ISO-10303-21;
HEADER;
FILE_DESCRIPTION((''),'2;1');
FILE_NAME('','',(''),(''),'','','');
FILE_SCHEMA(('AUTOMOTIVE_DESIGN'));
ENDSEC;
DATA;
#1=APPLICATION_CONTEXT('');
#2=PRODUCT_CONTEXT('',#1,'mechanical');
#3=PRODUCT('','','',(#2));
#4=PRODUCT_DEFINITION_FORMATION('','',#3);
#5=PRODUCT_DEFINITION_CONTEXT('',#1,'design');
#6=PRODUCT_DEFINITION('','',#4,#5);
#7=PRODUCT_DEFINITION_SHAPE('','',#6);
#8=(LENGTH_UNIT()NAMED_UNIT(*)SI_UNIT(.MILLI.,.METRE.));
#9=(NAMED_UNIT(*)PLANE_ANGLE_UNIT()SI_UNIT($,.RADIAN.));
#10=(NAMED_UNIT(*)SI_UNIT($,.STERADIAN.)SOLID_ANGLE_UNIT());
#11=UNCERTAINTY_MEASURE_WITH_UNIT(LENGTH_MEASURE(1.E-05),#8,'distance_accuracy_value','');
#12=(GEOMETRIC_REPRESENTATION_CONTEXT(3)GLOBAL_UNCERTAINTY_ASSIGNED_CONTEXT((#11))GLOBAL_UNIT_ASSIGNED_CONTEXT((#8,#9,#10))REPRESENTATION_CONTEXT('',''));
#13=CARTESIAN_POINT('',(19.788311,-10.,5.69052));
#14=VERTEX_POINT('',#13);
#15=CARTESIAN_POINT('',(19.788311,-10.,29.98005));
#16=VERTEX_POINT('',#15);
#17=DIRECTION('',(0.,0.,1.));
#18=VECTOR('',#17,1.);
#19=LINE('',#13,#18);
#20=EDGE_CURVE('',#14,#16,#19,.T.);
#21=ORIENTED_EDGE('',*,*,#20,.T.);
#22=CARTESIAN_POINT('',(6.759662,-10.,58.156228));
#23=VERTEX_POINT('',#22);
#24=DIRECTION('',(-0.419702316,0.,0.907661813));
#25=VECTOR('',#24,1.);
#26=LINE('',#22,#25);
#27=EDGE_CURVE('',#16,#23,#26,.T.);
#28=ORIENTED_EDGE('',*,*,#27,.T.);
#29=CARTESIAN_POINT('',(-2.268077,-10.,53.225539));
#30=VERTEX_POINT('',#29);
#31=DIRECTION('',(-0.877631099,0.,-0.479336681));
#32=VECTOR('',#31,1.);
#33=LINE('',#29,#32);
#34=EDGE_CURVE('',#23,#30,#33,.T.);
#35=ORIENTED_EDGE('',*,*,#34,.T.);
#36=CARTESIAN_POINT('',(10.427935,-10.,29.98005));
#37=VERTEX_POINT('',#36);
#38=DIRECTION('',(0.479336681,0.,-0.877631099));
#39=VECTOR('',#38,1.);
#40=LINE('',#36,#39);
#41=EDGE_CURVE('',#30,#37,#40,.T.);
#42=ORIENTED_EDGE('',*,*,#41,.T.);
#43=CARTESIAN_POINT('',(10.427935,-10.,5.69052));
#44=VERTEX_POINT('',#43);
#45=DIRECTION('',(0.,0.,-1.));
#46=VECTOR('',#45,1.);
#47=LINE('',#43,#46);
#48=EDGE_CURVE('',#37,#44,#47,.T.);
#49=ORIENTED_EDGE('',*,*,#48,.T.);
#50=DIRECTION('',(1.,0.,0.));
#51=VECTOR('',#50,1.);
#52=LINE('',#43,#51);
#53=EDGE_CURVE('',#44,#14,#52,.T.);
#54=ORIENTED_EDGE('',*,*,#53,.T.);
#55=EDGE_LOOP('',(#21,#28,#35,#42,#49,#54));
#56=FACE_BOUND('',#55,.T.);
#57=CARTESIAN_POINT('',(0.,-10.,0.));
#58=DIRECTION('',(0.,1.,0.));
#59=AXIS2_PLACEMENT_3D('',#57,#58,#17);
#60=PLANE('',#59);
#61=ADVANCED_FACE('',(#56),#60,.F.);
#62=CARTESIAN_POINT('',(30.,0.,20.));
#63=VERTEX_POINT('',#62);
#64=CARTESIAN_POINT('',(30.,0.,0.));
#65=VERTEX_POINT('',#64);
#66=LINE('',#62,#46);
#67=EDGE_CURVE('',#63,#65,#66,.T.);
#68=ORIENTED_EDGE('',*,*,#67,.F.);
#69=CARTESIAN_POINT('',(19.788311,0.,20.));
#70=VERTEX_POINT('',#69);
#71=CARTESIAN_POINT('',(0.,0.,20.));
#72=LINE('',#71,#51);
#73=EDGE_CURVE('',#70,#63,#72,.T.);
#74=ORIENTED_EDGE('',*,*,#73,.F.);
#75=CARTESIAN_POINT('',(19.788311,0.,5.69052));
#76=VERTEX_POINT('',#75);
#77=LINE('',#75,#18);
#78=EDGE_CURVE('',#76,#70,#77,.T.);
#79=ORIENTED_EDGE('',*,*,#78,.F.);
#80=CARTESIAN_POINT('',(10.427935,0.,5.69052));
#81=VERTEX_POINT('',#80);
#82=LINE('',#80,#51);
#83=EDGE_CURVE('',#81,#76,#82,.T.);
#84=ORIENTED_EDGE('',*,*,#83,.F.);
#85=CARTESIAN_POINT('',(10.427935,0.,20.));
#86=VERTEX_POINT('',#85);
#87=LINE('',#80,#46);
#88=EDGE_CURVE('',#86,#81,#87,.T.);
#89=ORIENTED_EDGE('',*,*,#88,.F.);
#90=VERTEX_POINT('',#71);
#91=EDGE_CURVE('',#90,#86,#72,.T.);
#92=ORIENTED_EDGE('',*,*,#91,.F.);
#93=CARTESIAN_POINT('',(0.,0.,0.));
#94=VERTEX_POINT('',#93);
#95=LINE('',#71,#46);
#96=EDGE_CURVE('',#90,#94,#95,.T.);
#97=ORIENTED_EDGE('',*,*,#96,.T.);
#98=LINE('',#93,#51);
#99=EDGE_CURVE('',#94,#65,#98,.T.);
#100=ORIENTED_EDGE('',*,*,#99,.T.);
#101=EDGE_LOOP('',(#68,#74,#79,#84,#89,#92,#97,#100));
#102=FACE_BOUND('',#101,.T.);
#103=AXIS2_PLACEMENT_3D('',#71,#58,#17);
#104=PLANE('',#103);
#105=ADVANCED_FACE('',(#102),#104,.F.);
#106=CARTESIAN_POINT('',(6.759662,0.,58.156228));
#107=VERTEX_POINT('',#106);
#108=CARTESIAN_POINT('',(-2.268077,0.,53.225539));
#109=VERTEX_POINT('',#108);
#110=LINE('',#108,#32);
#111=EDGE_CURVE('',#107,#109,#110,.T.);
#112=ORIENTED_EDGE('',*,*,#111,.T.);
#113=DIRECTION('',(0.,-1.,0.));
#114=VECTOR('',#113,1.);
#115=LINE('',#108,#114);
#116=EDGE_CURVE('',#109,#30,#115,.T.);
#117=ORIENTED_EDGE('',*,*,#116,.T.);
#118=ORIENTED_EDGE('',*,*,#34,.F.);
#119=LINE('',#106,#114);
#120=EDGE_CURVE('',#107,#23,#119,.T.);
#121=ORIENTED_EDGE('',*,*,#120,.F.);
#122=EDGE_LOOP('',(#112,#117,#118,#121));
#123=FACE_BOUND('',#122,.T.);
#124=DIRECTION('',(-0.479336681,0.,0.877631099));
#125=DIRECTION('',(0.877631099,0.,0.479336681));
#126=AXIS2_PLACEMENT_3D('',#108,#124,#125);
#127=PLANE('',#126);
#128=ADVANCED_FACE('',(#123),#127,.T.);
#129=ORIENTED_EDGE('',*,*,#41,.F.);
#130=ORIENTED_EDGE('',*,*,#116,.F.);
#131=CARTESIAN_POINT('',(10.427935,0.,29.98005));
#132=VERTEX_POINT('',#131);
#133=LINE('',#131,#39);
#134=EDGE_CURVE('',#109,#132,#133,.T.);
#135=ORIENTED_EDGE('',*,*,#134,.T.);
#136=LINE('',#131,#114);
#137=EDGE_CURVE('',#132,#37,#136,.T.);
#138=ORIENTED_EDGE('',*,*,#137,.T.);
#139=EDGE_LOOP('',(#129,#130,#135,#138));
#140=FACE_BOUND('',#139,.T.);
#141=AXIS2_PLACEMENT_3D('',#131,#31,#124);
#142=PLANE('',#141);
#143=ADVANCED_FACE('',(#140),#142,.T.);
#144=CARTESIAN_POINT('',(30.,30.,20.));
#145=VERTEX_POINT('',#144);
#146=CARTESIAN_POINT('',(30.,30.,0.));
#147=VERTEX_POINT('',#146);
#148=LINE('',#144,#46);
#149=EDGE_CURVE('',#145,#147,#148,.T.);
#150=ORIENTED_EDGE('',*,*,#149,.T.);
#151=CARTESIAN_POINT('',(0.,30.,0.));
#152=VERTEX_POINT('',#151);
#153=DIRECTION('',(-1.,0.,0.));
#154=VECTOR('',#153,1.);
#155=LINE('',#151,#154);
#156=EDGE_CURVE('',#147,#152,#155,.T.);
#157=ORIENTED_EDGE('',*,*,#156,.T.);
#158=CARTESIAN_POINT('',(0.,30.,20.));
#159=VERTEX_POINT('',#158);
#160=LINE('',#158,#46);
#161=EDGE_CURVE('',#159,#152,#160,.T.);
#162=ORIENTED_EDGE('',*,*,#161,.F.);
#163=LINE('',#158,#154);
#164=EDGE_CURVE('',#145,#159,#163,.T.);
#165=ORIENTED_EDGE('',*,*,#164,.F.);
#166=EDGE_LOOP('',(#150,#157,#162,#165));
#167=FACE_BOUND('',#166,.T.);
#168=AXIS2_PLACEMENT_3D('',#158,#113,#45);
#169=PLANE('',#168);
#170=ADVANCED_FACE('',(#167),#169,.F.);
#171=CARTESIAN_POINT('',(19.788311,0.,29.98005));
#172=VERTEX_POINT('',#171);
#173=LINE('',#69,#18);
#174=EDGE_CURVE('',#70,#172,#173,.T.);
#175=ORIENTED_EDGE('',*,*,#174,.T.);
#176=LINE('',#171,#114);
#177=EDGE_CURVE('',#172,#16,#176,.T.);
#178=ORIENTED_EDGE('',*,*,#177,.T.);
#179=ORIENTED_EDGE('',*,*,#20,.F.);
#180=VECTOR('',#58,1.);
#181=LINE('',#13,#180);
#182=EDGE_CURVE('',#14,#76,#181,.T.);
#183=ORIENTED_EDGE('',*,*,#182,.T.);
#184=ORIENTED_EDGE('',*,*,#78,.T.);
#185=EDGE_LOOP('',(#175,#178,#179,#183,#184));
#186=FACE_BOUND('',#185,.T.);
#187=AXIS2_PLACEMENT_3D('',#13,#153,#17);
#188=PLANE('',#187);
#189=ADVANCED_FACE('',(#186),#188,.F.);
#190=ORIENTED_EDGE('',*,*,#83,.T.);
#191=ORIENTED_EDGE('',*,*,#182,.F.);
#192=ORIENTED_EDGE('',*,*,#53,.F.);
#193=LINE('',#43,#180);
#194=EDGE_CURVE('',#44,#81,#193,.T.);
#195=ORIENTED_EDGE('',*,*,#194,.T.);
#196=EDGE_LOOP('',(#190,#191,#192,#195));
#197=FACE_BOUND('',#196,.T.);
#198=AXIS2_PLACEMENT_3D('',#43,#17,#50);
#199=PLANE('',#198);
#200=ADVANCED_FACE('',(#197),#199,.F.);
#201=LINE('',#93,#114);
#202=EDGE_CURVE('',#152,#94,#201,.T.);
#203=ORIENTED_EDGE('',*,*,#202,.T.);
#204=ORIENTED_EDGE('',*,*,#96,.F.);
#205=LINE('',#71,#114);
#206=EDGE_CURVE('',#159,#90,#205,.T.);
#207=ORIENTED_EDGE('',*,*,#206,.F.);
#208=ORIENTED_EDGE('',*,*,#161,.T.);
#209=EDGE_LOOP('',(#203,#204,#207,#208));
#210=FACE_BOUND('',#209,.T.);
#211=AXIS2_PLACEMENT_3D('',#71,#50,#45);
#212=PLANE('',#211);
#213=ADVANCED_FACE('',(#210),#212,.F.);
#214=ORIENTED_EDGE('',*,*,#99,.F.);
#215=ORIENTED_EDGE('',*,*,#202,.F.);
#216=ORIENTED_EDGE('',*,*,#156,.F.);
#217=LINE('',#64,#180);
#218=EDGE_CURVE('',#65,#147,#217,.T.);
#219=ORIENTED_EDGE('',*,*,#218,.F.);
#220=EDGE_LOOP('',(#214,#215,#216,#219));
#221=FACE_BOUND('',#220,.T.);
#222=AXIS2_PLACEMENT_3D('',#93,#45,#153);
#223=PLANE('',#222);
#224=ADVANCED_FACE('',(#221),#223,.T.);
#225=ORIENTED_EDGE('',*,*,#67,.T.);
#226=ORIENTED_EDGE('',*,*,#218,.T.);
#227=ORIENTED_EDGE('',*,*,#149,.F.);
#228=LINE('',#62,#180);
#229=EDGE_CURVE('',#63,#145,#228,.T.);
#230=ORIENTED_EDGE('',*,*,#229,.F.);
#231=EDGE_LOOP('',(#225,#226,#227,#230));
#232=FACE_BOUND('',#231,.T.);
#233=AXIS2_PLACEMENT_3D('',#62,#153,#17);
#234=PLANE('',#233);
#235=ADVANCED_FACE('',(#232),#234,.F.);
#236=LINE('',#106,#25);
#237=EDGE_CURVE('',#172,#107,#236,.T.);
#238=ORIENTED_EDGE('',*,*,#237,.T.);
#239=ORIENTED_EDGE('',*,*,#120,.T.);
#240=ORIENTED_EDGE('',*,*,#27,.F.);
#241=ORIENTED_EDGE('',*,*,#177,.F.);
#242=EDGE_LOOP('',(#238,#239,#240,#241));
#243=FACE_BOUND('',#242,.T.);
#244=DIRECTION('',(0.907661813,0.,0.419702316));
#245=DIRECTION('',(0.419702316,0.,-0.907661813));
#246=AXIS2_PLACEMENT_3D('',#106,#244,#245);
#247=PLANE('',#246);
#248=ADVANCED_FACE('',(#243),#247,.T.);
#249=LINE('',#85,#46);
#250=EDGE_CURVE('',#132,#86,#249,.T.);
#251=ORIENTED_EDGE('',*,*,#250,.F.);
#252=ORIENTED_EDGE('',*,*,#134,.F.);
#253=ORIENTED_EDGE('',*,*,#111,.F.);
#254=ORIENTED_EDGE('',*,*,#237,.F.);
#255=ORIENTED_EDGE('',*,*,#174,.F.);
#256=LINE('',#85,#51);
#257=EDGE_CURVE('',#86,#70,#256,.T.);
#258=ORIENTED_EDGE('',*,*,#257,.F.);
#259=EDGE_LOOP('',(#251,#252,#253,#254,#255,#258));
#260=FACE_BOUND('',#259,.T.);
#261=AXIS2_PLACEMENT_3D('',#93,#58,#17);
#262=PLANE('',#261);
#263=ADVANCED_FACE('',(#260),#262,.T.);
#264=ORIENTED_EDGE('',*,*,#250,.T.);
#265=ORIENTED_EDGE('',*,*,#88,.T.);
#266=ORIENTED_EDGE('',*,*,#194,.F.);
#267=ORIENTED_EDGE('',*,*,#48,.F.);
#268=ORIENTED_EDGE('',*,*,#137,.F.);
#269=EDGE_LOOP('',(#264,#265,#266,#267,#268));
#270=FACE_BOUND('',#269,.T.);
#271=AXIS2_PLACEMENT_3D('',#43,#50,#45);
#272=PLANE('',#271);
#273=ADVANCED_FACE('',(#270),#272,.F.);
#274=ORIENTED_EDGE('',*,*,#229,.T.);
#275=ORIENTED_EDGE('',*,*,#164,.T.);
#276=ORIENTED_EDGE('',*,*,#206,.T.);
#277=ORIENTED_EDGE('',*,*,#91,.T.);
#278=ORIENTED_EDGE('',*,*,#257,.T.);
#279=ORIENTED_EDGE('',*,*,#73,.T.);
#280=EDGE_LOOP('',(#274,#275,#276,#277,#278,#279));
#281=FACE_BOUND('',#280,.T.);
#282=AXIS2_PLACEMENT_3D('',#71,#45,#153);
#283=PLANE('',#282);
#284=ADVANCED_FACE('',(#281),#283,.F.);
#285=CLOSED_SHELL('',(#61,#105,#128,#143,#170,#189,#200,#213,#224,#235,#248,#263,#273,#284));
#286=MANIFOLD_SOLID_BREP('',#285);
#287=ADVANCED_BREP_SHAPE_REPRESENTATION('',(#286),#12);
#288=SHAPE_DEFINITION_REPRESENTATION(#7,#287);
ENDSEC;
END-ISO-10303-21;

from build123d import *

# Parameters (mm, degrees)
SKETCH1_W           = 30
SKETCH1_H           = 30
BOSS_EXTRUDE1_DEPTH = 20
SKETCH2_W           = 9.360375711
SKETCH2_H           = 14.309479907
BOSS_EXTRUDE2_DEPTH = 10
BOSS_EXTRUDE3_DEPTH = 10


with BuildPart() as part:
    # Sketch1 → Boss-Extrude1 (new body)
    with BuildSketch(Plane.XY):
        with Locations((15, 15)):
            Rectangle(SKETCH1_W, SKETCH1_H)
    extrude(amount=BOSS_EXTRUDE1_DEPTH)

    # Sketch2 → Boss-Extrude2 (add)
    with BuildSketch(Plane.XZ):
        with Locations((15.108123152, 12.845260046)):
            Rectangle(SKETCH2_W, SKETCH2_H)
    extrude(amount=BOSS_EXTRUDE2_DEPTH)

    # Sketch3 → Boss-Extrude3 (add)
    with BuildSketch(Plane.XZ.offset(10)):
        Polygon((10.427935296, 29.980050477), (-2.268076866, 53.225538566), (6.759662186, 58.156228099), (19.788311007, 29.980050477), (19.788311007, 20), (10.427935296, 20), align=None)
    extrude(amount=-BOSS_EXTRUDE3_DEPTH)


solid = part.part
